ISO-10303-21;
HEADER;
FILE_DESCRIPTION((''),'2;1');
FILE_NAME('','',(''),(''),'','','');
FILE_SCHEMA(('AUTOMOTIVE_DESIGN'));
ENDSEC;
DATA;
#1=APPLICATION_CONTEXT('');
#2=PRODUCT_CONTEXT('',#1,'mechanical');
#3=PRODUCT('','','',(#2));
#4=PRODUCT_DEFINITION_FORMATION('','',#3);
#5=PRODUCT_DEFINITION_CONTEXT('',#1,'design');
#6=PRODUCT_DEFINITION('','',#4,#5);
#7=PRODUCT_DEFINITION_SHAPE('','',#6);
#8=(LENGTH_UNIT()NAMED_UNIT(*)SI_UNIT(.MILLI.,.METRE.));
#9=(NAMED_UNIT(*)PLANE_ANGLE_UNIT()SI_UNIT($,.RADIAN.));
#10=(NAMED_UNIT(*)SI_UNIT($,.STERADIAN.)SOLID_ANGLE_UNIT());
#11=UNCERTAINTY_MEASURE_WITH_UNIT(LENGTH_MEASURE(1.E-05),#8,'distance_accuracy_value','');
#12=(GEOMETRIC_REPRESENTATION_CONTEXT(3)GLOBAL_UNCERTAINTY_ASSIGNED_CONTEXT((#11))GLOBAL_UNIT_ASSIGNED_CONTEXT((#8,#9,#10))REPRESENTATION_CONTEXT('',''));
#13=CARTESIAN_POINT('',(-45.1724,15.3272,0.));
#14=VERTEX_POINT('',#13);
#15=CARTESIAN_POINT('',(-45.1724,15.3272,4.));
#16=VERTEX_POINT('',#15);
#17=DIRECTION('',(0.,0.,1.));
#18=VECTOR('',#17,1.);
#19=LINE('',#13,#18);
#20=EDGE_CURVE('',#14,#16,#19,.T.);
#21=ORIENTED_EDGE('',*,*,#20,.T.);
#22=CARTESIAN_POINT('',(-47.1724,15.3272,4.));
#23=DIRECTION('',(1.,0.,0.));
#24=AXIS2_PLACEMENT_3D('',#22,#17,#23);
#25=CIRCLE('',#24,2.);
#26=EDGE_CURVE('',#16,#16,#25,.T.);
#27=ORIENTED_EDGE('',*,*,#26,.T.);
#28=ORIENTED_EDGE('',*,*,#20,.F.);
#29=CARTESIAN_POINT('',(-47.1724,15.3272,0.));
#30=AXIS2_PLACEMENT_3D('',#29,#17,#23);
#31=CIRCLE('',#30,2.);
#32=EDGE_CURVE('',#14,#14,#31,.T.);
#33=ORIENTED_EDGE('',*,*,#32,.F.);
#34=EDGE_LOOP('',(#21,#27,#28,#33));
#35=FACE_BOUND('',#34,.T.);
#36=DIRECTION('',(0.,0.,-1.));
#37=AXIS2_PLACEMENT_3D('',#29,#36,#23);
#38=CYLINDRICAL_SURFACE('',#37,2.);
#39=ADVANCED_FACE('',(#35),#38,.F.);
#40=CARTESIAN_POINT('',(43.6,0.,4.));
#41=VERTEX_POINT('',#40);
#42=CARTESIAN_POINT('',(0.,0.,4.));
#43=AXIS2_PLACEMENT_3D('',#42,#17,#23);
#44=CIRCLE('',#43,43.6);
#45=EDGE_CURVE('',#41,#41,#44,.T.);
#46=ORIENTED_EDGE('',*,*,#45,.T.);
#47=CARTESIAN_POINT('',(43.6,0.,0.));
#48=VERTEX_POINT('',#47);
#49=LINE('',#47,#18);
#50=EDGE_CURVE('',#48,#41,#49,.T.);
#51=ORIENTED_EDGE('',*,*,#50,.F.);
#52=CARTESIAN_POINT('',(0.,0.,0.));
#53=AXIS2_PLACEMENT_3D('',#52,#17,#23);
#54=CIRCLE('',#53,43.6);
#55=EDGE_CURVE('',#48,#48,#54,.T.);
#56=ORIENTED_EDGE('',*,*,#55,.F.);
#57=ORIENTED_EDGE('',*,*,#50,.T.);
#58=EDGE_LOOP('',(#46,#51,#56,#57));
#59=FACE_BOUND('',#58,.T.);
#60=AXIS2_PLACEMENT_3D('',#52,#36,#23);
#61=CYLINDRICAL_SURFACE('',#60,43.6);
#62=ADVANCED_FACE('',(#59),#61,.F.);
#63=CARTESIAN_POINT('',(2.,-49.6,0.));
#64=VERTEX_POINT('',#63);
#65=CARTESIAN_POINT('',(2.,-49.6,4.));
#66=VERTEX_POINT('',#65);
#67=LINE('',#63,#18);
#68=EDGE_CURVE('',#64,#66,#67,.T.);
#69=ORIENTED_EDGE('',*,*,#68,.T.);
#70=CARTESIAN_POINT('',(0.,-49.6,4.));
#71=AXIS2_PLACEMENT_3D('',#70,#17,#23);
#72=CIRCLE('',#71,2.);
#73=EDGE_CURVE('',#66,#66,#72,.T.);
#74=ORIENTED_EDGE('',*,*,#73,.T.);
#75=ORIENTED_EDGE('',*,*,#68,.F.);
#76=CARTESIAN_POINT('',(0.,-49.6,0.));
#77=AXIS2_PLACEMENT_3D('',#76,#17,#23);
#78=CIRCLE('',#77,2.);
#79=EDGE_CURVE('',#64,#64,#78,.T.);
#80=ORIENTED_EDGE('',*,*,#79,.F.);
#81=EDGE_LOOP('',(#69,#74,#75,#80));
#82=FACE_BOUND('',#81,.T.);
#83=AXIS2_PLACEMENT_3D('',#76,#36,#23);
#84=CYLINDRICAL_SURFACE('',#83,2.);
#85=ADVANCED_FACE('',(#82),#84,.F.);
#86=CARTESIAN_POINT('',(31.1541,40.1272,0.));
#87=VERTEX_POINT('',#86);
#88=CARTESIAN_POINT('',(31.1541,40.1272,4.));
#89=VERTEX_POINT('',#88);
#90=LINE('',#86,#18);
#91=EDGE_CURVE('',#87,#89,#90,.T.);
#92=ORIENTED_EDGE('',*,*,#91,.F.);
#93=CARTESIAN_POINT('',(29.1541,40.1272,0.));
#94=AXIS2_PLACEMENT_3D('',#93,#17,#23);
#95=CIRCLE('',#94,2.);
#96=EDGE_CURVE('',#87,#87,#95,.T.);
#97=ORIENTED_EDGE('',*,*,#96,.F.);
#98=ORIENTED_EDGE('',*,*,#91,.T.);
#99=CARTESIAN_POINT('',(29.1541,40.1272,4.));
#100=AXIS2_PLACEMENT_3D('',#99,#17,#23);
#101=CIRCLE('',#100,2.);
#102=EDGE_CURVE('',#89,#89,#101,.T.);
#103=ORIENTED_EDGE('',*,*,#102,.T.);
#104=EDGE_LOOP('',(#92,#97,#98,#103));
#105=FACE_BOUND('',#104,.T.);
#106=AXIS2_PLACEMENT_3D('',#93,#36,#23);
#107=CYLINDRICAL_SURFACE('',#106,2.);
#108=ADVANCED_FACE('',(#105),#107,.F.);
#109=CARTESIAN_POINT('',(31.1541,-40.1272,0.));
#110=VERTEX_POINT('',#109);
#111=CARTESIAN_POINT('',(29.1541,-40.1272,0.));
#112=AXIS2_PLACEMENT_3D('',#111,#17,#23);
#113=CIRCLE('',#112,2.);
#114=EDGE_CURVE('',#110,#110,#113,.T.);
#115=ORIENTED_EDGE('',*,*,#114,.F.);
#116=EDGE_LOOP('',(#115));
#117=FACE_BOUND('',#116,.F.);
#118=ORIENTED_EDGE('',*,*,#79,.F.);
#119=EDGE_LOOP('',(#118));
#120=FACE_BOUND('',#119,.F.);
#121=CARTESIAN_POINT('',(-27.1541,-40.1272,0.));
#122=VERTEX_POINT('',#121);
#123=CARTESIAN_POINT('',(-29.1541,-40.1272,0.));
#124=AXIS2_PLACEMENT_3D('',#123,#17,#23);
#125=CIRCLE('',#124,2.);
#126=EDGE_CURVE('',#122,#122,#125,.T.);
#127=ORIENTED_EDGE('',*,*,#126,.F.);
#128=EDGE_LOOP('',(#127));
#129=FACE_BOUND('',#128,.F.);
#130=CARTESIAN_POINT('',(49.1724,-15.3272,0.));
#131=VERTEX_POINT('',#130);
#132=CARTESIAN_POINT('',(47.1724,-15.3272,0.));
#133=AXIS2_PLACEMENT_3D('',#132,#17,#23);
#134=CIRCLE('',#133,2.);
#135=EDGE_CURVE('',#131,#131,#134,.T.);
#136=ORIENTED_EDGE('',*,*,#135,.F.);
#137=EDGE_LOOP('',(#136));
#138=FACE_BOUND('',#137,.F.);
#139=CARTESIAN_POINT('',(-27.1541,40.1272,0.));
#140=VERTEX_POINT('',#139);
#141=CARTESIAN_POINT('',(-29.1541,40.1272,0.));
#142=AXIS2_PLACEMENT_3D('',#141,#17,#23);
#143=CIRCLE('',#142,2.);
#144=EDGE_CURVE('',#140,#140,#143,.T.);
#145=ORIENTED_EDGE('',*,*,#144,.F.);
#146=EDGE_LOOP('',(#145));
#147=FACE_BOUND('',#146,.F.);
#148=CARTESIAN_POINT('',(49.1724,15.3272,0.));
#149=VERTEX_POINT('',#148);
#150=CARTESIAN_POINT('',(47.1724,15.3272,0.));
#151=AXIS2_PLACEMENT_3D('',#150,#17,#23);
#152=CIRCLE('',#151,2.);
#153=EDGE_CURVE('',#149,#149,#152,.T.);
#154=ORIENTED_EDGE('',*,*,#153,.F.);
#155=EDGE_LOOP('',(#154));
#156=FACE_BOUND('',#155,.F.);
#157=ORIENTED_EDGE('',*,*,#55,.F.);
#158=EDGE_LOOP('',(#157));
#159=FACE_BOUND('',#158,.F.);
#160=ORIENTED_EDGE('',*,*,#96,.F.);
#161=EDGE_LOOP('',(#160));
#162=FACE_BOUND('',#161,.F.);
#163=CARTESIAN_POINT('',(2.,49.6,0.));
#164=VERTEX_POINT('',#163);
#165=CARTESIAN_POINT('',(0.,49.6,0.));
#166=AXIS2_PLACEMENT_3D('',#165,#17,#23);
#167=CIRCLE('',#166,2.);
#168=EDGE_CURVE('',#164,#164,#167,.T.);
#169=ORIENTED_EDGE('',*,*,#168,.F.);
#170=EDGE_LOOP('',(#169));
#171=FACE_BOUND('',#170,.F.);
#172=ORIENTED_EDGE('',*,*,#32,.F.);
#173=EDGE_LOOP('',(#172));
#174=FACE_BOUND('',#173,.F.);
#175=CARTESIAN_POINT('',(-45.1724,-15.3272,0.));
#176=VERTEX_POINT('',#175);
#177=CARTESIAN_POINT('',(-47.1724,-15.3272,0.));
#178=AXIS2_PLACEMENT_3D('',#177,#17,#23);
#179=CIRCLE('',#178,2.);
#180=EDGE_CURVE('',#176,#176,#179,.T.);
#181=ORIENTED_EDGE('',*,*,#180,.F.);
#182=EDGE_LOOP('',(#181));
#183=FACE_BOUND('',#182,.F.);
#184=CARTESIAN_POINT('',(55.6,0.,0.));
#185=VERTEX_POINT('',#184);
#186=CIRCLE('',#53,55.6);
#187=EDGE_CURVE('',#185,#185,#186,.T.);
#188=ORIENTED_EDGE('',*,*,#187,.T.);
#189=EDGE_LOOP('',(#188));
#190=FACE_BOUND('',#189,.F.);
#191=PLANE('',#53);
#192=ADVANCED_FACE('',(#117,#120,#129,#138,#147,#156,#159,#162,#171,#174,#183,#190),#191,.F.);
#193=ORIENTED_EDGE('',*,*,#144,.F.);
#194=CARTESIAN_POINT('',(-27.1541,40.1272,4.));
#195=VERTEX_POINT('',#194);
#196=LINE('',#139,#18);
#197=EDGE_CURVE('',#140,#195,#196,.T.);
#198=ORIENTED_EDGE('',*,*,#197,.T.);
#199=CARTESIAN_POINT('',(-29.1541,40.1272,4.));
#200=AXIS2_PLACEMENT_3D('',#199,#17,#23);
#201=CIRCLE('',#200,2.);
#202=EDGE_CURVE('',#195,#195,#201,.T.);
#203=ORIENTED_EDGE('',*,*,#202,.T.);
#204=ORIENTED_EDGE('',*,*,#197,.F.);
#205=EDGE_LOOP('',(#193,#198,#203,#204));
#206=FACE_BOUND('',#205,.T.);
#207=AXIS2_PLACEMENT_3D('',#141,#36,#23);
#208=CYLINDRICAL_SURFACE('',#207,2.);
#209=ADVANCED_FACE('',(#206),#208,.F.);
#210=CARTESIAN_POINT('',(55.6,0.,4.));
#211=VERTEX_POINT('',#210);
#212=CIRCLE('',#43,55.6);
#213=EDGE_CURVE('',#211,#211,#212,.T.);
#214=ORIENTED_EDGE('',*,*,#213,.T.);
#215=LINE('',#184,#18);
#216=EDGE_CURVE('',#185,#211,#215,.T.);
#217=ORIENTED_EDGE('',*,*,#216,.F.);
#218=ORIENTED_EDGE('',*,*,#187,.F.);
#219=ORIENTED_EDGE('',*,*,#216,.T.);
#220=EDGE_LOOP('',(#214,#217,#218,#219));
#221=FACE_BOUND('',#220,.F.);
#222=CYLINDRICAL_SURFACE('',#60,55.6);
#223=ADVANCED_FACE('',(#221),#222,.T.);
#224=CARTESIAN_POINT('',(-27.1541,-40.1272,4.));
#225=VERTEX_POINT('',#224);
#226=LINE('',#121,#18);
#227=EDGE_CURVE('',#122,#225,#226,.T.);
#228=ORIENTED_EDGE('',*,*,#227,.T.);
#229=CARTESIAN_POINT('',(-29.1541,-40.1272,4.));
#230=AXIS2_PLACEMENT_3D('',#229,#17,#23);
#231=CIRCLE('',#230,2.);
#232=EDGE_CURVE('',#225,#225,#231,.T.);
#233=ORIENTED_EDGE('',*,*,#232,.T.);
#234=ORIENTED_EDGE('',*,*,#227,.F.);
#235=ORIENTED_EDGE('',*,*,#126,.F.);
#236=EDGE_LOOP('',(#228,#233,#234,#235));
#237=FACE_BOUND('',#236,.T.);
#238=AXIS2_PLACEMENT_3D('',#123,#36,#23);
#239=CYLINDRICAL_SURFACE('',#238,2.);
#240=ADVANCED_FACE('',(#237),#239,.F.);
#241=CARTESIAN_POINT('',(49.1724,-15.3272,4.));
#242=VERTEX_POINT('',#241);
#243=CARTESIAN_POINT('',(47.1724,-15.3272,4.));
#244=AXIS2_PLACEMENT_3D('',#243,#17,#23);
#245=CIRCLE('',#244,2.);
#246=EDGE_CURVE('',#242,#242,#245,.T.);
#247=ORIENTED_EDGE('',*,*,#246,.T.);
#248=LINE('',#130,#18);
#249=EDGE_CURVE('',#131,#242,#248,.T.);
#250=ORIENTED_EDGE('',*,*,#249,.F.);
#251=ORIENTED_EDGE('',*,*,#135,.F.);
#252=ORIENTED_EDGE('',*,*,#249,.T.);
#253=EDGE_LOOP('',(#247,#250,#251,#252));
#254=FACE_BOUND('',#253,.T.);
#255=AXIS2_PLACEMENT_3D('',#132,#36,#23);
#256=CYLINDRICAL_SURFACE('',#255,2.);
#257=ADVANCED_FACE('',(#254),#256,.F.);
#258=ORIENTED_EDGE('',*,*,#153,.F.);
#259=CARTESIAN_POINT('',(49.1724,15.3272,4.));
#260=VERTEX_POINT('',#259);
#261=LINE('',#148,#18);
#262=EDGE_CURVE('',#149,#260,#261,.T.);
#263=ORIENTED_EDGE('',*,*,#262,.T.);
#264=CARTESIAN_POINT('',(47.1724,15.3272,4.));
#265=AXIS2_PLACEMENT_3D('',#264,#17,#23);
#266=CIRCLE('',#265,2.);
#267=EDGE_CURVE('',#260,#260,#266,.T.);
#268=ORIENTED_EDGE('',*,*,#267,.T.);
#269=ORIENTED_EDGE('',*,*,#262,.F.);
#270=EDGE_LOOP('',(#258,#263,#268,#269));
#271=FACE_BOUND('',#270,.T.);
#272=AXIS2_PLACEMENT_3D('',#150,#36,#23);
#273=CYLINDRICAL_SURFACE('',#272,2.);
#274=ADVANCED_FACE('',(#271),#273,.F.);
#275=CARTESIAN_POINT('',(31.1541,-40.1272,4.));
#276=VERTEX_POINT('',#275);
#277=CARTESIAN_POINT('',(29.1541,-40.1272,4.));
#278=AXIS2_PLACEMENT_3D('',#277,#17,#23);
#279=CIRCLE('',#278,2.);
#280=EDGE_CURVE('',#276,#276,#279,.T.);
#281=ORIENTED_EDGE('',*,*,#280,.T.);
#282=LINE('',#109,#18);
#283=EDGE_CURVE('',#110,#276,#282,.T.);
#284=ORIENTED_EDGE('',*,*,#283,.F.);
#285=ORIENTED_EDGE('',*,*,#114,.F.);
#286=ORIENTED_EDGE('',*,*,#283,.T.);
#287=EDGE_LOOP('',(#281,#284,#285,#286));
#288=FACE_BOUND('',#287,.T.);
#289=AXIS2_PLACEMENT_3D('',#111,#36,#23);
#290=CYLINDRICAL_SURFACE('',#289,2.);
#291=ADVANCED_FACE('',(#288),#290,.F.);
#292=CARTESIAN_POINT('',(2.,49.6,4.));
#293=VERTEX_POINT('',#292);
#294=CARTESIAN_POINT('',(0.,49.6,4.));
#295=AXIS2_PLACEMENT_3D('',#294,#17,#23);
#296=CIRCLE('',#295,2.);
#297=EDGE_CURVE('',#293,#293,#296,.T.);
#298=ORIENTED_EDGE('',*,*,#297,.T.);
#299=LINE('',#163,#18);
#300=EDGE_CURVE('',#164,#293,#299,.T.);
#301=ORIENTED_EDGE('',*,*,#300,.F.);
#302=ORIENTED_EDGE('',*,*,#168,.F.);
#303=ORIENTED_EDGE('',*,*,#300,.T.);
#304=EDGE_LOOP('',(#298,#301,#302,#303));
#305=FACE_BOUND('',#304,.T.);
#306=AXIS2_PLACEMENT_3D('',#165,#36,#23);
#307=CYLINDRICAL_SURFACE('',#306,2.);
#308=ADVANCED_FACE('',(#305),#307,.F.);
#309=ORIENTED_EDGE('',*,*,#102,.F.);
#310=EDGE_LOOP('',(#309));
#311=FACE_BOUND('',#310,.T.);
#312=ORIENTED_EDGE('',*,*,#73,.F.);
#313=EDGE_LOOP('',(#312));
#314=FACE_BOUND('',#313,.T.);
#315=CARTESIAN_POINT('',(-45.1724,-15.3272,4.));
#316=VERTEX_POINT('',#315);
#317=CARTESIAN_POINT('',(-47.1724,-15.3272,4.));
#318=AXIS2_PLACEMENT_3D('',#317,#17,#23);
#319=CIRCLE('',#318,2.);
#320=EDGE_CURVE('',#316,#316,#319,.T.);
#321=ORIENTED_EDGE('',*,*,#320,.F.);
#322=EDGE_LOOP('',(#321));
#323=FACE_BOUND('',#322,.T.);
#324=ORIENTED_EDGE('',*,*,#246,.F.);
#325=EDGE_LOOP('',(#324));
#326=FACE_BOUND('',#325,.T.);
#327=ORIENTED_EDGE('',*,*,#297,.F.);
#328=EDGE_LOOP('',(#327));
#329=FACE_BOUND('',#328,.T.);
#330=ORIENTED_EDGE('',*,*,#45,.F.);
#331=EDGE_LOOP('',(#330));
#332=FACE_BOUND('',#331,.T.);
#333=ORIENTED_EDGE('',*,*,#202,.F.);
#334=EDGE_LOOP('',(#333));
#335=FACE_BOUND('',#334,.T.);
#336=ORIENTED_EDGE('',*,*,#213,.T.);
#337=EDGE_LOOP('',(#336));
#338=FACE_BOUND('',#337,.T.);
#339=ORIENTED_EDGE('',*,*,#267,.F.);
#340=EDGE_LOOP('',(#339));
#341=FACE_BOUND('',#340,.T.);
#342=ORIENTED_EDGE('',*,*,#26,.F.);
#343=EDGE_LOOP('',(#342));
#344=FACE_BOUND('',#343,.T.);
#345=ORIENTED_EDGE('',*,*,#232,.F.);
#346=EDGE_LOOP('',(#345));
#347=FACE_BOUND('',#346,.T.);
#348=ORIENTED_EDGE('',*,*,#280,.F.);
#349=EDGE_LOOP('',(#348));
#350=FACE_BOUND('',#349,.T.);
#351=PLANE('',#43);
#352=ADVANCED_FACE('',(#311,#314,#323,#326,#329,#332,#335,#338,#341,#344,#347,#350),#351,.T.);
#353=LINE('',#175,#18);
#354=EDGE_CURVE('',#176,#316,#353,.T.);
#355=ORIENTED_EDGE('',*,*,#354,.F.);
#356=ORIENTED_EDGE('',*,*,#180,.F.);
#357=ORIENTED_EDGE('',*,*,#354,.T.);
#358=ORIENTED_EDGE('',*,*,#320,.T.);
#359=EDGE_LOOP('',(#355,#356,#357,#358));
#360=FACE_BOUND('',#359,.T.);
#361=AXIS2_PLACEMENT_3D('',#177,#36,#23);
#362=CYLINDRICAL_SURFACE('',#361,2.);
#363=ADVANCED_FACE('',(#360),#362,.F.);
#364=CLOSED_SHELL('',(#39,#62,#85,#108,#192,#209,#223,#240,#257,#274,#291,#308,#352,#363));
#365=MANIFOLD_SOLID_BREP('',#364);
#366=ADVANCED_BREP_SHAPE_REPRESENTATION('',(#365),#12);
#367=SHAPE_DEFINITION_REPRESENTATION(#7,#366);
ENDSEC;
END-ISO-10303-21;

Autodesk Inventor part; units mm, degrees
ref_plane "YZ Plane" through (0, 0, 0) normal (1, 0, 0) x (0, 1, 0)
ref_plane "XZ Plane" through (0, 0, 0) normal (0, 1, 0) x (-1, 0, 0)
ref_plane "XY Plane" through (0, 0, 0) normal (0, 0, 1) x (1, 0, 0)
ref_plane "Work Plane1" through (0, 0, 0) normal (0, 0, 1) x (1, 0, 0)
sketch "Sketch1" plane through (0, 0, 0) normal (0, 0, 1) x (1, 0, 0)
  circle A0 centre (-29.1541, -40.1272) radius 2 projected
  circle A1 centre (-47.1724, -15.3272) radius 2 projected
  circle A2 centre (-47.1724, 15.3272) radius 2 projected
  circle A3 centre (-29.1541, 40.1272) radius 2 projected
  circle A4 centre (0, 49.6) radius 2 projected
  circle A5 centre (29.1541, 40.1272) radius 2 projected
  circle A6 centre (47.1724, 15.3272) radius 2 projected
  circle A7 centre (47.1724, -15.3272) radius 2 projected
  circle A8 centre (29.1541, -40.1272) radius 2 projected
  circle A9 centre (0, -49.6) radius 2 projected
  circle A10 centre (0, 0) radius 55.6 projected
  circle A11 centre (0, 0) radius 43.6
  dimension "d0" = 12
extrude "Extrusion1" add sketch "Sketch1" along normal blind 4
properties part number "Anglerfish_3inch_tube_pressurering"
